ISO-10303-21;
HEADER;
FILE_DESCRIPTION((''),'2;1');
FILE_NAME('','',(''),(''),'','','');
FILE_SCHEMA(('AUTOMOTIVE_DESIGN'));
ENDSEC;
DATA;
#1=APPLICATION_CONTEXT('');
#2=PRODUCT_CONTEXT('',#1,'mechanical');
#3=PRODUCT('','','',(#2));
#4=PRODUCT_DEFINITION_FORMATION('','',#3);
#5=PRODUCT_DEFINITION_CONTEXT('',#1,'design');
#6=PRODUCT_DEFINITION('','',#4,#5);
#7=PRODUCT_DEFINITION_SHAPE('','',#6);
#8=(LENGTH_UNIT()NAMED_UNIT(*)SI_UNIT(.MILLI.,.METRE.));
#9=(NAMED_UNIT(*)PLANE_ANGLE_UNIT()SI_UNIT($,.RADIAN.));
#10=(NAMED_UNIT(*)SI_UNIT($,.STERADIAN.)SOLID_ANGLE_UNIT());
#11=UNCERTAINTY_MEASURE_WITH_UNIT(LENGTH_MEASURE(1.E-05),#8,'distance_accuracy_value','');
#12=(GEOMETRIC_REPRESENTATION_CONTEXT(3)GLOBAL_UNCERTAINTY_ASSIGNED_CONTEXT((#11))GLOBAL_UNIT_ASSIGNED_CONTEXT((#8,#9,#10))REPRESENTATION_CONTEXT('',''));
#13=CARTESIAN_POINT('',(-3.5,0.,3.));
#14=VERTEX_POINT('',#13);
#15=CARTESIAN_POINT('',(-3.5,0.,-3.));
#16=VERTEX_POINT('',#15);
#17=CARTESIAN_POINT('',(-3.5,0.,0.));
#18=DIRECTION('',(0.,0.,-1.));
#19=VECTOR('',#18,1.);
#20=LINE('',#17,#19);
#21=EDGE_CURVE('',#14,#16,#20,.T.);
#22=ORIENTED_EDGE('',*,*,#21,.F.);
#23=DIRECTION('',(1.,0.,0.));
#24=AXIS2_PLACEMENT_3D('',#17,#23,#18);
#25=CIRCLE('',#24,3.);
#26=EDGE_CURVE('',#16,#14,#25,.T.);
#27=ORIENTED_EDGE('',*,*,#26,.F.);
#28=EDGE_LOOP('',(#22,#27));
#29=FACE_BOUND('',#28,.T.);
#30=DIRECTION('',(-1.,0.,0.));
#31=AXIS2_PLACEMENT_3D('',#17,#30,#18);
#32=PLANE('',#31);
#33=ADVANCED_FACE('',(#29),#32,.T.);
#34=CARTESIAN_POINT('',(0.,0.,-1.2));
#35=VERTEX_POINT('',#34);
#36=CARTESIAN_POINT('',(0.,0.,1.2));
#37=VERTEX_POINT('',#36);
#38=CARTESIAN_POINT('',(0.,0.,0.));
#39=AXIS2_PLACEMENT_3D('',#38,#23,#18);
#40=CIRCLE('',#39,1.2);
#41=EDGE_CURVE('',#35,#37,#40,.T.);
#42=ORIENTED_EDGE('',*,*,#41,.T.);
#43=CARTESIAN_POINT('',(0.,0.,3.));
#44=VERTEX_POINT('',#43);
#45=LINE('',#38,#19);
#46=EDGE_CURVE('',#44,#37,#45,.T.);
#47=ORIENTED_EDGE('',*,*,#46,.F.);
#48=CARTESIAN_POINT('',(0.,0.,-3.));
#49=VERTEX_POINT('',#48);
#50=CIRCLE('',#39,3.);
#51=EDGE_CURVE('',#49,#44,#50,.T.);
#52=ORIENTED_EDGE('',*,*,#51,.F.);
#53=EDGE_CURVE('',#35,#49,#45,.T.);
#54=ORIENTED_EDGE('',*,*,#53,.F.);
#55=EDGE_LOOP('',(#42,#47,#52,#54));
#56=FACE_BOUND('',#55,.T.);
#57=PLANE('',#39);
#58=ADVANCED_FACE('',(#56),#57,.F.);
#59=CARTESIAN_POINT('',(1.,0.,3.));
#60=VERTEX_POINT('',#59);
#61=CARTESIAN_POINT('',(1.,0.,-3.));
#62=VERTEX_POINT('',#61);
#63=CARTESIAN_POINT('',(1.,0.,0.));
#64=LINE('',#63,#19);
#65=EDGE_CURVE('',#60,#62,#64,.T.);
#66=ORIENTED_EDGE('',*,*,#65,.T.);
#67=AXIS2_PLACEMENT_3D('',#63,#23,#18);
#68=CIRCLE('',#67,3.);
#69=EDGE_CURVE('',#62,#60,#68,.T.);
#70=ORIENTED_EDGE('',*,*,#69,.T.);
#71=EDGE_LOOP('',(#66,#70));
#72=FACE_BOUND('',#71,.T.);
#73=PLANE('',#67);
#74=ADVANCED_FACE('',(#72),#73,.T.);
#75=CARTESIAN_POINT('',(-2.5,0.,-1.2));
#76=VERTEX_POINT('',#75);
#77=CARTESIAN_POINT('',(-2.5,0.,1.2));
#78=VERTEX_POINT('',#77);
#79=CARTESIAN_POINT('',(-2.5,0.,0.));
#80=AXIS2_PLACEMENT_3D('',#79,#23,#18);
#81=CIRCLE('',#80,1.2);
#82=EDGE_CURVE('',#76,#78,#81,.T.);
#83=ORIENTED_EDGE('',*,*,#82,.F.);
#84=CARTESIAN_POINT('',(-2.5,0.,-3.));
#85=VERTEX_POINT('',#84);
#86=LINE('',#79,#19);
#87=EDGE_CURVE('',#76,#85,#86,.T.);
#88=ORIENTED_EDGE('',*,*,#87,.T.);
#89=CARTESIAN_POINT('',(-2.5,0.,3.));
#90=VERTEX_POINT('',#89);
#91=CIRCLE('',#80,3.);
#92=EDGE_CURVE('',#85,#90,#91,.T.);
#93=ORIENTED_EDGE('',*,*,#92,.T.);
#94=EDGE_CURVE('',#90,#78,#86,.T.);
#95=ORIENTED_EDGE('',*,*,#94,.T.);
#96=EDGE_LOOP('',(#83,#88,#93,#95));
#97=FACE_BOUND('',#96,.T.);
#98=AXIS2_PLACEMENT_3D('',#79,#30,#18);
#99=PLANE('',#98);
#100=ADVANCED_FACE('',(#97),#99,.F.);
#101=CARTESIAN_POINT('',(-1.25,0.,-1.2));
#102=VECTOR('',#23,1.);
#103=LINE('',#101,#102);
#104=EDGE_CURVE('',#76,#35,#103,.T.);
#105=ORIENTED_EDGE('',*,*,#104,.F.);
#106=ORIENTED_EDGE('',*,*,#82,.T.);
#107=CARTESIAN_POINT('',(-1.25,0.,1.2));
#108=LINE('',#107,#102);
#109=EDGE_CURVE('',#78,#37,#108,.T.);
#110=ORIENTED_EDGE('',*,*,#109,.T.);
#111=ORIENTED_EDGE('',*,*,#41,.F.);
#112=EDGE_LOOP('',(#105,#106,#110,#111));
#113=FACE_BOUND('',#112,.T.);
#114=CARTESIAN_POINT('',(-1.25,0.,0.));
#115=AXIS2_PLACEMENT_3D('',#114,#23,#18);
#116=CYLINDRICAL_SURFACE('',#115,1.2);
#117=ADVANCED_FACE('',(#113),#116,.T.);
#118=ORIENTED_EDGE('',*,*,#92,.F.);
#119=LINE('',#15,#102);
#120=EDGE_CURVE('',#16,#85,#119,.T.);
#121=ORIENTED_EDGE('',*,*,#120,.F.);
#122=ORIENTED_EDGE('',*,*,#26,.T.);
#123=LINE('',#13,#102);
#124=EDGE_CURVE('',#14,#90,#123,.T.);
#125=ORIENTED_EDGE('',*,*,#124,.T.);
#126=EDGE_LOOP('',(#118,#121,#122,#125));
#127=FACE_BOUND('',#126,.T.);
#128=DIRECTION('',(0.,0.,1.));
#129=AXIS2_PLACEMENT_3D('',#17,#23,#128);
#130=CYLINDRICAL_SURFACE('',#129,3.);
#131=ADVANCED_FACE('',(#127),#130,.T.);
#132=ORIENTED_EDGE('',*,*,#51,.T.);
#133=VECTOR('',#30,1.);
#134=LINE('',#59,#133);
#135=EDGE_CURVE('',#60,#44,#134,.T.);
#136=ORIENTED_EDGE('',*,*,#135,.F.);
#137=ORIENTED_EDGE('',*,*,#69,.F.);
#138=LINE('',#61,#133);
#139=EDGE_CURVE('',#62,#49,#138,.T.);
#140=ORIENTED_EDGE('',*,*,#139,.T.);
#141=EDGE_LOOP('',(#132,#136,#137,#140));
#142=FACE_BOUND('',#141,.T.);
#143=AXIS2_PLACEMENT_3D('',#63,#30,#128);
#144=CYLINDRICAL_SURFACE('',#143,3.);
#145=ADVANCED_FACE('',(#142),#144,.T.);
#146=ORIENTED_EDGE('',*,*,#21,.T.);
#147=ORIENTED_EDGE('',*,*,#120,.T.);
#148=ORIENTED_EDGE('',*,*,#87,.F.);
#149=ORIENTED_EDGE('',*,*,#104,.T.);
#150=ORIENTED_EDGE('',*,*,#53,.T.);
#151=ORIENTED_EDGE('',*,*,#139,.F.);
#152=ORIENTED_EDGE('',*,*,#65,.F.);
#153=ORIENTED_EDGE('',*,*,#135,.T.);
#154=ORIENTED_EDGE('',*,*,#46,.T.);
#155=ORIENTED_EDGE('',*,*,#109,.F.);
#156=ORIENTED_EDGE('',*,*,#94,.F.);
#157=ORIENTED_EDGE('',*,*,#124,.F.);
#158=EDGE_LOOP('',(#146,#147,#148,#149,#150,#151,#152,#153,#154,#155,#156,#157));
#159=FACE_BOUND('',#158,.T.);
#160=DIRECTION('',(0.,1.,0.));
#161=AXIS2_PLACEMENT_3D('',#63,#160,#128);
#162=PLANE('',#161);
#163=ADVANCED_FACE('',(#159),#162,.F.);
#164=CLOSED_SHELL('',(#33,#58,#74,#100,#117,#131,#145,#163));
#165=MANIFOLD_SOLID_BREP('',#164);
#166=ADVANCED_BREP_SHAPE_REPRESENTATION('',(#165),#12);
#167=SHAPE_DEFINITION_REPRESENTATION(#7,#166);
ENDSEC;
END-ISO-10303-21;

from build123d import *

# Parameters (mm, degrees)
BOSS_EXTRUDE1_DEPTH = 1
BOSS_EXTRUDE2_DEPTH = 1.25


with BuildPart() as part:
    # Sketch1 → Boss-Extrude1 (new body)
    with BuildSketch(Plane(origin=(0, 0, 0), x_dir=(0, 0, -1), z_dir=(1, 0, 0))):
        with BuildLine():
            ThreePointArc((3, 0), (0, 3), (-3, 0))
            Line((-3, 0), (3, 0))
        make_face()
    extrude(amount=BOSS_EXTRUDE1_DEPTH)

    # Sketch1<3> → Boss-Extrude2 (add)
    with BuildSketch(Plane(origin=(0, 0, 0), x_dir=(0, 0, -1), z_dir=(1, 0, 0))):
        with BuildLine():
            ThreePointArc((1.2, 0), (0, 1.2), (-1.2, 0))
            Line((-1.2, 0), (1.2, 0))
        make_face()
    extrude(amount=-BOSS_EXTRUDE2_DEPTH)

    # Mirror1: part across plane


with BuildPart() as part_1:
    add(part.part)
    add(part.part.mirror(Plane.ZY.offset(1.25)))


solid = part_1.part
